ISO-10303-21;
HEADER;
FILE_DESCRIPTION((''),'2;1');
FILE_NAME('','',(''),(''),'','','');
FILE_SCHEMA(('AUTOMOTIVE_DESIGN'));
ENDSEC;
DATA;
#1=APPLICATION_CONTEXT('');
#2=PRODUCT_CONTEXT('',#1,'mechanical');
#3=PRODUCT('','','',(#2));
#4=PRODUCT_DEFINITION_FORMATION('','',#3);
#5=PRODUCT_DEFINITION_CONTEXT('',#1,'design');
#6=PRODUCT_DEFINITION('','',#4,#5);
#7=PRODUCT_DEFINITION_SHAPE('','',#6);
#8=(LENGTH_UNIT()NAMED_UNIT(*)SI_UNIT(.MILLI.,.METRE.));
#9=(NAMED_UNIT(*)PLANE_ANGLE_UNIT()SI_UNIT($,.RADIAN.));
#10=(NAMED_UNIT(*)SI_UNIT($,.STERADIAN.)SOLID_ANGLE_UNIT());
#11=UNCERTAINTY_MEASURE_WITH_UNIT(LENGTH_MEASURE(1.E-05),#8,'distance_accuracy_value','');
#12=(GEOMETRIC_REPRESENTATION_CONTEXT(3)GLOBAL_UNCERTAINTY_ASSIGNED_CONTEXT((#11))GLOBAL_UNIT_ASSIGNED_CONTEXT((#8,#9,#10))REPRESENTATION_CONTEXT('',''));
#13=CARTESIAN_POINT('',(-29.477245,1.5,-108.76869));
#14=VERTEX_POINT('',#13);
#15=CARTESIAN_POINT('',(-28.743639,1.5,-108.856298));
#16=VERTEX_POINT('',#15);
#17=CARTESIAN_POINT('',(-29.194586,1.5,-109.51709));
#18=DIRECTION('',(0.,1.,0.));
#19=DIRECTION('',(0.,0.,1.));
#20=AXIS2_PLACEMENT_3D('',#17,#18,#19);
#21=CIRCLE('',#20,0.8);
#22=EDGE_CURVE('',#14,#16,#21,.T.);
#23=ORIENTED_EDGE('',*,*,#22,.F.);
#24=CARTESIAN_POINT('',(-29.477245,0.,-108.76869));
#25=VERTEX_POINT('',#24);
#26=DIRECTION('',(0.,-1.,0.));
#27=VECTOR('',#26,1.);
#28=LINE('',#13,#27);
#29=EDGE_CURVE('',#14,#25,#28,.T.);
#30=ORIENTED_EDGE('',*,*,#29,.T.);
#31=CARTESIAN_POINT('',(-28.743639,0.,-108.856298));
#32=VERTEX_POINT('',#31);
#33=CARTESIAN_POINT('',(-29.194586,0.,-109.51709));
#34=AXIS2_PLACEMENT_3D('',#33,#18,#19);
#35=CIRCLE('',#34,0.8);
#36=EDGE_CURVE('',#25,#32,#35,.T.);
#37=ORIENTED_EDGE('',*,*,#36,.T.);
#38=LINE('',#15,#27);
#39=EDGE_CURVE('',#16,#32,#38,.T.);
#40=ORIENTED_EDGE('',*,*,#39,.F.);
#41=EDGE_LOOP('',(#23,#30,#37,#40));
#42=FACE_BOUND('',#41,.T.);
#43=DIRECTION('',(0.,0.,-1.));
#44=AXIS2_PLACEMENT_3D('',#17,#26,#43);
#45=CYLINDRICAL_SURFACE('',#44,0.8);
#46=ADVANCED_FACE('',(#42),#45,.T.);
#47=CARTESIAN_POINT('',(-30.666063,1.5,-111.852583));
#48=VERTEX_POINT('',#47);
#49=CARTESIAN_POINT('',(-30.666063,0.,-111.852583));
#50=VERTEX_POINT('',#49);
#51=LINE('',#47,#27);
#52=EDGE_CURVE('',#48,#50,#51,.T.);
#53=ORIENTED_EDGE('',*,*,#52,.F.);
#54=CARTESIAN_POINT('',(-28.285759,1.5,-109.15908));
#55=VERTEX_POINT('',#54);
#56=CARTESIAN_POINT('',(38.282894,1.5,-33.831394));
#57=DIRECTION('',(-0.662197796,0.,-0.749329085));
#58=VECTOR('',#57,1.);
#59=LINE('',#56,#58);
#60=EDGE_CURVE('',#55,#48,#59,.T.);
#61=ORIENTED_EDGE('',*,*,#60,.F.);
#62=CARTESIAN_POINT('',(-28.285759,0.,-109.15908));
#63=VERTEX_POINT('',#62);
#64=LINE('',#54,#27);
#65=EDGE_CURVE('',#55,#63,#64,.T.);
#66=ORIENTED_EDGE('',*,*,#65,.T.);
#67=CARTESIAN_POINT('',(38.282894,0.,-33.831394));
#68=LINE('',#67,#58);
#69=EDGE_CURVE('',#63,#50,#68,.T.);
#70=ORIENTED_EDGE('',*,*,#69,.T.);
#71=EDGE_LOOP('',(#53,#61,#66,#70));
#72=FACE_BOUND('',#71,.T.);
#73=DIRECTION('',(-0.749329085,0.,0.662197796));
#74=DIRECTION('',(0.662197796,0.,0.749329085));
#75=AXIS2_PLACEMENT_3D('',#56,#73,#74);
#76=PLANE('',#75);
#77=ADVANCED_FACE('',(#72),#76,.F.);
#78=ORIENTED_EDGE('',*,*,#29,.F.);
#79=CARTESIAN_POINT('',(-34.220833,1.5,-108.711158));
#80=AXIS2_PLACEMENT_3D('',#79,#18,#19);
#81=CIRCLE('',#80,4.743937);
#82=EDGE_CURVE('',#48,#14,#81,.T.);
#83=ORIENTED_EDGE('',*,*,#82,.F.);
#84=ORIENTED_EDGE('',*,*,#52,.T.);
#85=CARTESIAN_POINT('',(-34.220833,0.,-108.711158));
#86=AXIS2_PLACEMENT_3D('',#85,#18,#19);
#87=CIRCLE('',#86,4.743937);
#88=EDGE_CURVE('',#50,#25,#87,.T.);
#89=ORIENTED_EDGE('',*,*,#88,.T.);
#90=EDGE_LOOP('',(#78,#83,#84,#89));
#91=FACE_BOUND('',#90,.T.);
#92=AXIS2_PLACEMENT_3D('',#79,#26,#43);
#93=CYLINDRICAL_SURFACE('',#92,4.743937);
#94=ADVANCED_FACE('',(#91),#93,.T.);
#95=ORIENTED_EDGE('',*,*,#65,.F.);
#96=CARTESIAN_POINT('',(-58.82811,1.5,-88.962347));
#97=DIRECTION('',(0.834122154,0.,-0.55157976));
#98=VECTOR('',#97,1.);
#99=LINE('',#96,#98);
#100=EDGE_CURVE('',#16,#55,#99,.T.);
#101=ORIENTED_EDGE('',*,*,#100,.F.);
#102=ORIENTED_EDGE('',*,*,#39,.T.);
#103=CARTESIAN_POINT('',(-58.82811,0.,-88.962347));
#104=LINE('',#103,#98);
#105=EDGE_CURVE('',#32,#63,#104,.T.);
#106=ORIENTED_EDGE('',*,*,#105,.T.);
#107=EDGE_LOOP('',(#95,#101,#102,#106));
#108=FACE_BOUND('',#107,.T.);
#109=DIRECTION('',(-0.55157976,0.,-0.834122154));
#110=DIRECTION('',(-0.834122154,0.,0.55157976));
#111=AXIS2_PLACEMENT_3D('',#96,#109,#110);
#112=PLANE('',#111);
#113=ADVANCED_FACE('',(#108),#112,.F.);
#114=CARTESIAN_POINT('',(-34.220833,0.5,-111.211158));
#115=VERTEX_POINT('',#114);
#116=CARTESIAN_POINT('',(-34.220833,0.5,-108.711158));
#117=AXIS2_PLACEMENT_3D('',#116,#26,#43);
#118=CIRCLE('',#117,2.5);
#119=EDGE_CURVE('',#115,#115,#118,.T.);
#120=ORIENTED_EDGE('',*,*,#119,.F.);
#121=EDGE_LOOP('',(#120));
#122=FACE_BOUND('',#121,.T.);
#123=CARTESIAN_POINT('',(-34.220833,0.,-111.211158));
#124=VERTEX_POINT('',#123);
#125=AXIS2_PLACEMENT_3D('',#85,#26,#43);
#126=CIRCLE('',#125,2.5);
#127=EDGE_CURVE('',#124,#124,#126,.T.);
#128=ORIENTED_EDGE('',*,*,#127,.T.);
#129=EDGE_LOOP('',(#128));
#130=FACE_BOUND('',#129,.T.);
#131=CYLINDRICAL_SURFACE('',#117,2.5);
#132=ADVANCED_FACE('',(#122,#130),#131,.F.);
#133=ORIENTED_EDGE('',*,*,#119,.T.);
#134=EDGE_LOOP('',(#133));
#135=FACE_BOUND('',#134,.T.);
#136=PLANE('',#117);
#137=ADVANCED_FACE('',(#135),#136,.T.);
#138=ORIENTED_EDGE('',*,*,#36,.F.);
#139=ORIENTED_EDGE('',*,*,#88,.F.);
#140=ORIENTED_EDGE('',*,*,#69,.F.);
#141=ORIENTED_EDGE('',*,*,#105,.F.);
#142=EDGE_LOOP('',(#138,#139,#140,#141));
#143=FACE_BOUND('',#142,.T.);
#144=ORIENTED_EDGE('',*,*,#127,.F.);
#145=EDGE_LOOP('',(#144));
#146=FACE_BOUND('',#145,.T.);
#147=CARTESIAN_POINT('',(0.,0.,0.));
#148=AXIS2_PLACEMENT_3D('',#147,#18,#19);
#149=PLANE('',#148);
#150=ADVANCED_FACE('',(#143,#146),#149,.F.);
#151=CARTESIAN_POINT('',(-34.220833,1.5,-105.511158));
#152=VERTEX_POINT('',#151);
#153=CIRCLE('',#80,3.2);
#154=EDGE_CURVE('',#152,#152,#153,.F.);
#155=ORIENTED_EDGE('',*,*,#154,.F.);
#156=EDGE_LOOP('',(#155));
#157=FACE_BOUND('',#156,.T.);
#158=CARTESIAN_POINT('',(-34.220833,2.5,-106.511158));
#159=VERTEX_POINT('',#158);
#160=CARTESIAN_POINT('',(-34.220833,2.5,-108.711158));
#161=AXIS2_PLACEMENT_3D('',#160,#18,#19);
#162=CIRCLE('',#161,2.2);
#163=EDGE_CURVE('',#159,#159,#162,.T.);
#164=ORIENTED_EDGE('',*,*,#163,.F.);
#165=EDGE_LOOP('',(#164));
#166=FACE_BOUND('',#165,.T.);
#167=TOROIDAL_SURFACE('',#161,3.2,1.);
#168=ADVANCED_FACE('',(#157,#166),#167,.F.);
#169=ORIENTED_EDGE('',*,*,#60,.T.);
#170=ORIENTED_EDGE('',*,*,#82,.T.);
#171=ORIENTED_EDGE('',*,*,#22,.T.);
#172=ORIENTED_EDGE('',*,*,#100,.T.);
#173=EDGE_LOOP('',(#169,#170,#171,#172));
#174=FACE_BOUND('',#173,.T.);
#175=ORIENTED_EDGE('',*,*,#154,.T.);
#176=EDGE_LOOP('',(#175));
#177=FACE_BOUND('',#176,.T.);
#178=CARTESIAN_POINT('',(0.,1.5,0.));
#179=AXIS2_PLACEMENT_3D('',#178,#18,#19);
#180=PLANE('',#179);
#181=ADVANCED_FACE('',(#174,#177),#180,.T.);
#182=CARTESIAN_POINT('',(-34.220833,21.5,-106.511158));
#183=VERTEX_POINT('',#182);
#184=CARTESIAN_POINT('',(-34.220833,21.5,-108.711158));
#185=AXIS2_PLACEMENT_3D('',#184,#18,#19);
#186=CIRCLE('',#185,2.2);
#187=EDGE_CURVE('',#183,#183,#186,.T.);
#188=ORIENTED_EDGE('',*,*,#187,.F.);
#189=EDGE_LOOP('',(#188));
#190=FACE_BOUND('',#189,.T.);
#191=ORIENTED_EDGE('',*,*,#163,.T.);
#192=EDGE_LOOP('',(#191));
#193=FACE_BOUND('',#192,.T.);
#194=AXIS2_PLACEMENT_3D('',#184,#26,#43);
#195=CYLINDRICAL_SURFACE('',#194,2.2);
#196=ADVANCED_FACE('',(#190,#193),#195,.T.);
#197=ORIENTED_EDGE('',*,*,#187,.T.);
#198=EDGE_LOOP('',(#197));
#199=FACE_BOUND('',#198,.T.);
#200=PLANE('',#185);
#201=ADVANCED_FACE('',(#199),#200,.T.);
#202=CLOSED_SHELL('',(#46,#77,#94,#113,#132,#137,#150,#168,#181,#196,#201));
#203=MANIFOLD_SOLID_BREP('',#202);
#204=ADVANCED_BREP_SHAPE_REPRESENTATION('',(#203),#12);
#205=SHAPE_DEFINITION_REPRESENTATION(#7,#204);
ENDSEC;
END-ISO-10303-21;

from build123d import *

# Parameters (mm, degrees)
SALIENTE_EXTRUIR1_DEPTH = 1.5
CROQUIS2_R              = 2.2
SALIENTE_EXTRUIR2_DEPTH = 20
FILLET2_R               = 1
SKETCH1_R               = 2.5
CUT_EXTRUDE1_DEPTH      = 0.5


with BuildPart() as part:
    # Croquis1 → Saliente-Extruir1 (new body)
    with BuildSketch(Plane(origin=(0, 0, 0), x_dir=(1, 0, 0), z_dir=(0, 1, 0))):
        with BuildLine():
            Line((-28.743638834, 108.856298042), (-28.28575881, 109.159080257))
            Line((-28.28575881, 109.159080257), (-30.66606326, 111.852582661))
            ThreePointArc((-30.66606326, 111.852582661), (-32.271190025, 113.035950486), (-34.220833362, 113.455095091))
            ThreePointArc((-34.220833362, 113.455095091), (-37.554900965, 105.336408582), (-29.477245058, 108.768689524))
            ThreePointArc((-29.477245058, 108.768689524), (-29.099722767, 108.722734742), (-28.743638834, 108.856298042))
        make_face()
    extrude(amount=SALIENTE_EXTRUIR1_DEPTH)

    # Croquis2 → Saliente-Extruir2 (add)
    with BuildSketch(Plane(origin=(0, 1.5, 0), x_dir=(1, 0, 0), z_dir=(0, 1, 0))):
        with Locations(Location((-34.220833362, 108.71115792, 0), (0, 0, 270))):
            Circle(CROQUIS2_R)
    extrude(amount=SALIENTE_EXTRUIR2_DEPTH)

    # Fillet2
    fillet2_edges = [part.edges().sort_by_distance(p)[0] for p in [
        (-34.220833362, 1.5, -110.91115792),
    ]]
    fillet(fillet2_edges, radius=FILLET2_R)

    # Sketch1 → Cut-Extrude1 (cut)
    with BuildSketch(Plane.XZ):
        with Locations(Location((-34.220833362, -108.71115792, 0), (0, 0, 270))):
            Circle(SKETCH1_R)
    extrude(amount=-CUT_EXTRUDE1_DEPTH, mode=Mode.SUBTRACT)


solid = part.part
